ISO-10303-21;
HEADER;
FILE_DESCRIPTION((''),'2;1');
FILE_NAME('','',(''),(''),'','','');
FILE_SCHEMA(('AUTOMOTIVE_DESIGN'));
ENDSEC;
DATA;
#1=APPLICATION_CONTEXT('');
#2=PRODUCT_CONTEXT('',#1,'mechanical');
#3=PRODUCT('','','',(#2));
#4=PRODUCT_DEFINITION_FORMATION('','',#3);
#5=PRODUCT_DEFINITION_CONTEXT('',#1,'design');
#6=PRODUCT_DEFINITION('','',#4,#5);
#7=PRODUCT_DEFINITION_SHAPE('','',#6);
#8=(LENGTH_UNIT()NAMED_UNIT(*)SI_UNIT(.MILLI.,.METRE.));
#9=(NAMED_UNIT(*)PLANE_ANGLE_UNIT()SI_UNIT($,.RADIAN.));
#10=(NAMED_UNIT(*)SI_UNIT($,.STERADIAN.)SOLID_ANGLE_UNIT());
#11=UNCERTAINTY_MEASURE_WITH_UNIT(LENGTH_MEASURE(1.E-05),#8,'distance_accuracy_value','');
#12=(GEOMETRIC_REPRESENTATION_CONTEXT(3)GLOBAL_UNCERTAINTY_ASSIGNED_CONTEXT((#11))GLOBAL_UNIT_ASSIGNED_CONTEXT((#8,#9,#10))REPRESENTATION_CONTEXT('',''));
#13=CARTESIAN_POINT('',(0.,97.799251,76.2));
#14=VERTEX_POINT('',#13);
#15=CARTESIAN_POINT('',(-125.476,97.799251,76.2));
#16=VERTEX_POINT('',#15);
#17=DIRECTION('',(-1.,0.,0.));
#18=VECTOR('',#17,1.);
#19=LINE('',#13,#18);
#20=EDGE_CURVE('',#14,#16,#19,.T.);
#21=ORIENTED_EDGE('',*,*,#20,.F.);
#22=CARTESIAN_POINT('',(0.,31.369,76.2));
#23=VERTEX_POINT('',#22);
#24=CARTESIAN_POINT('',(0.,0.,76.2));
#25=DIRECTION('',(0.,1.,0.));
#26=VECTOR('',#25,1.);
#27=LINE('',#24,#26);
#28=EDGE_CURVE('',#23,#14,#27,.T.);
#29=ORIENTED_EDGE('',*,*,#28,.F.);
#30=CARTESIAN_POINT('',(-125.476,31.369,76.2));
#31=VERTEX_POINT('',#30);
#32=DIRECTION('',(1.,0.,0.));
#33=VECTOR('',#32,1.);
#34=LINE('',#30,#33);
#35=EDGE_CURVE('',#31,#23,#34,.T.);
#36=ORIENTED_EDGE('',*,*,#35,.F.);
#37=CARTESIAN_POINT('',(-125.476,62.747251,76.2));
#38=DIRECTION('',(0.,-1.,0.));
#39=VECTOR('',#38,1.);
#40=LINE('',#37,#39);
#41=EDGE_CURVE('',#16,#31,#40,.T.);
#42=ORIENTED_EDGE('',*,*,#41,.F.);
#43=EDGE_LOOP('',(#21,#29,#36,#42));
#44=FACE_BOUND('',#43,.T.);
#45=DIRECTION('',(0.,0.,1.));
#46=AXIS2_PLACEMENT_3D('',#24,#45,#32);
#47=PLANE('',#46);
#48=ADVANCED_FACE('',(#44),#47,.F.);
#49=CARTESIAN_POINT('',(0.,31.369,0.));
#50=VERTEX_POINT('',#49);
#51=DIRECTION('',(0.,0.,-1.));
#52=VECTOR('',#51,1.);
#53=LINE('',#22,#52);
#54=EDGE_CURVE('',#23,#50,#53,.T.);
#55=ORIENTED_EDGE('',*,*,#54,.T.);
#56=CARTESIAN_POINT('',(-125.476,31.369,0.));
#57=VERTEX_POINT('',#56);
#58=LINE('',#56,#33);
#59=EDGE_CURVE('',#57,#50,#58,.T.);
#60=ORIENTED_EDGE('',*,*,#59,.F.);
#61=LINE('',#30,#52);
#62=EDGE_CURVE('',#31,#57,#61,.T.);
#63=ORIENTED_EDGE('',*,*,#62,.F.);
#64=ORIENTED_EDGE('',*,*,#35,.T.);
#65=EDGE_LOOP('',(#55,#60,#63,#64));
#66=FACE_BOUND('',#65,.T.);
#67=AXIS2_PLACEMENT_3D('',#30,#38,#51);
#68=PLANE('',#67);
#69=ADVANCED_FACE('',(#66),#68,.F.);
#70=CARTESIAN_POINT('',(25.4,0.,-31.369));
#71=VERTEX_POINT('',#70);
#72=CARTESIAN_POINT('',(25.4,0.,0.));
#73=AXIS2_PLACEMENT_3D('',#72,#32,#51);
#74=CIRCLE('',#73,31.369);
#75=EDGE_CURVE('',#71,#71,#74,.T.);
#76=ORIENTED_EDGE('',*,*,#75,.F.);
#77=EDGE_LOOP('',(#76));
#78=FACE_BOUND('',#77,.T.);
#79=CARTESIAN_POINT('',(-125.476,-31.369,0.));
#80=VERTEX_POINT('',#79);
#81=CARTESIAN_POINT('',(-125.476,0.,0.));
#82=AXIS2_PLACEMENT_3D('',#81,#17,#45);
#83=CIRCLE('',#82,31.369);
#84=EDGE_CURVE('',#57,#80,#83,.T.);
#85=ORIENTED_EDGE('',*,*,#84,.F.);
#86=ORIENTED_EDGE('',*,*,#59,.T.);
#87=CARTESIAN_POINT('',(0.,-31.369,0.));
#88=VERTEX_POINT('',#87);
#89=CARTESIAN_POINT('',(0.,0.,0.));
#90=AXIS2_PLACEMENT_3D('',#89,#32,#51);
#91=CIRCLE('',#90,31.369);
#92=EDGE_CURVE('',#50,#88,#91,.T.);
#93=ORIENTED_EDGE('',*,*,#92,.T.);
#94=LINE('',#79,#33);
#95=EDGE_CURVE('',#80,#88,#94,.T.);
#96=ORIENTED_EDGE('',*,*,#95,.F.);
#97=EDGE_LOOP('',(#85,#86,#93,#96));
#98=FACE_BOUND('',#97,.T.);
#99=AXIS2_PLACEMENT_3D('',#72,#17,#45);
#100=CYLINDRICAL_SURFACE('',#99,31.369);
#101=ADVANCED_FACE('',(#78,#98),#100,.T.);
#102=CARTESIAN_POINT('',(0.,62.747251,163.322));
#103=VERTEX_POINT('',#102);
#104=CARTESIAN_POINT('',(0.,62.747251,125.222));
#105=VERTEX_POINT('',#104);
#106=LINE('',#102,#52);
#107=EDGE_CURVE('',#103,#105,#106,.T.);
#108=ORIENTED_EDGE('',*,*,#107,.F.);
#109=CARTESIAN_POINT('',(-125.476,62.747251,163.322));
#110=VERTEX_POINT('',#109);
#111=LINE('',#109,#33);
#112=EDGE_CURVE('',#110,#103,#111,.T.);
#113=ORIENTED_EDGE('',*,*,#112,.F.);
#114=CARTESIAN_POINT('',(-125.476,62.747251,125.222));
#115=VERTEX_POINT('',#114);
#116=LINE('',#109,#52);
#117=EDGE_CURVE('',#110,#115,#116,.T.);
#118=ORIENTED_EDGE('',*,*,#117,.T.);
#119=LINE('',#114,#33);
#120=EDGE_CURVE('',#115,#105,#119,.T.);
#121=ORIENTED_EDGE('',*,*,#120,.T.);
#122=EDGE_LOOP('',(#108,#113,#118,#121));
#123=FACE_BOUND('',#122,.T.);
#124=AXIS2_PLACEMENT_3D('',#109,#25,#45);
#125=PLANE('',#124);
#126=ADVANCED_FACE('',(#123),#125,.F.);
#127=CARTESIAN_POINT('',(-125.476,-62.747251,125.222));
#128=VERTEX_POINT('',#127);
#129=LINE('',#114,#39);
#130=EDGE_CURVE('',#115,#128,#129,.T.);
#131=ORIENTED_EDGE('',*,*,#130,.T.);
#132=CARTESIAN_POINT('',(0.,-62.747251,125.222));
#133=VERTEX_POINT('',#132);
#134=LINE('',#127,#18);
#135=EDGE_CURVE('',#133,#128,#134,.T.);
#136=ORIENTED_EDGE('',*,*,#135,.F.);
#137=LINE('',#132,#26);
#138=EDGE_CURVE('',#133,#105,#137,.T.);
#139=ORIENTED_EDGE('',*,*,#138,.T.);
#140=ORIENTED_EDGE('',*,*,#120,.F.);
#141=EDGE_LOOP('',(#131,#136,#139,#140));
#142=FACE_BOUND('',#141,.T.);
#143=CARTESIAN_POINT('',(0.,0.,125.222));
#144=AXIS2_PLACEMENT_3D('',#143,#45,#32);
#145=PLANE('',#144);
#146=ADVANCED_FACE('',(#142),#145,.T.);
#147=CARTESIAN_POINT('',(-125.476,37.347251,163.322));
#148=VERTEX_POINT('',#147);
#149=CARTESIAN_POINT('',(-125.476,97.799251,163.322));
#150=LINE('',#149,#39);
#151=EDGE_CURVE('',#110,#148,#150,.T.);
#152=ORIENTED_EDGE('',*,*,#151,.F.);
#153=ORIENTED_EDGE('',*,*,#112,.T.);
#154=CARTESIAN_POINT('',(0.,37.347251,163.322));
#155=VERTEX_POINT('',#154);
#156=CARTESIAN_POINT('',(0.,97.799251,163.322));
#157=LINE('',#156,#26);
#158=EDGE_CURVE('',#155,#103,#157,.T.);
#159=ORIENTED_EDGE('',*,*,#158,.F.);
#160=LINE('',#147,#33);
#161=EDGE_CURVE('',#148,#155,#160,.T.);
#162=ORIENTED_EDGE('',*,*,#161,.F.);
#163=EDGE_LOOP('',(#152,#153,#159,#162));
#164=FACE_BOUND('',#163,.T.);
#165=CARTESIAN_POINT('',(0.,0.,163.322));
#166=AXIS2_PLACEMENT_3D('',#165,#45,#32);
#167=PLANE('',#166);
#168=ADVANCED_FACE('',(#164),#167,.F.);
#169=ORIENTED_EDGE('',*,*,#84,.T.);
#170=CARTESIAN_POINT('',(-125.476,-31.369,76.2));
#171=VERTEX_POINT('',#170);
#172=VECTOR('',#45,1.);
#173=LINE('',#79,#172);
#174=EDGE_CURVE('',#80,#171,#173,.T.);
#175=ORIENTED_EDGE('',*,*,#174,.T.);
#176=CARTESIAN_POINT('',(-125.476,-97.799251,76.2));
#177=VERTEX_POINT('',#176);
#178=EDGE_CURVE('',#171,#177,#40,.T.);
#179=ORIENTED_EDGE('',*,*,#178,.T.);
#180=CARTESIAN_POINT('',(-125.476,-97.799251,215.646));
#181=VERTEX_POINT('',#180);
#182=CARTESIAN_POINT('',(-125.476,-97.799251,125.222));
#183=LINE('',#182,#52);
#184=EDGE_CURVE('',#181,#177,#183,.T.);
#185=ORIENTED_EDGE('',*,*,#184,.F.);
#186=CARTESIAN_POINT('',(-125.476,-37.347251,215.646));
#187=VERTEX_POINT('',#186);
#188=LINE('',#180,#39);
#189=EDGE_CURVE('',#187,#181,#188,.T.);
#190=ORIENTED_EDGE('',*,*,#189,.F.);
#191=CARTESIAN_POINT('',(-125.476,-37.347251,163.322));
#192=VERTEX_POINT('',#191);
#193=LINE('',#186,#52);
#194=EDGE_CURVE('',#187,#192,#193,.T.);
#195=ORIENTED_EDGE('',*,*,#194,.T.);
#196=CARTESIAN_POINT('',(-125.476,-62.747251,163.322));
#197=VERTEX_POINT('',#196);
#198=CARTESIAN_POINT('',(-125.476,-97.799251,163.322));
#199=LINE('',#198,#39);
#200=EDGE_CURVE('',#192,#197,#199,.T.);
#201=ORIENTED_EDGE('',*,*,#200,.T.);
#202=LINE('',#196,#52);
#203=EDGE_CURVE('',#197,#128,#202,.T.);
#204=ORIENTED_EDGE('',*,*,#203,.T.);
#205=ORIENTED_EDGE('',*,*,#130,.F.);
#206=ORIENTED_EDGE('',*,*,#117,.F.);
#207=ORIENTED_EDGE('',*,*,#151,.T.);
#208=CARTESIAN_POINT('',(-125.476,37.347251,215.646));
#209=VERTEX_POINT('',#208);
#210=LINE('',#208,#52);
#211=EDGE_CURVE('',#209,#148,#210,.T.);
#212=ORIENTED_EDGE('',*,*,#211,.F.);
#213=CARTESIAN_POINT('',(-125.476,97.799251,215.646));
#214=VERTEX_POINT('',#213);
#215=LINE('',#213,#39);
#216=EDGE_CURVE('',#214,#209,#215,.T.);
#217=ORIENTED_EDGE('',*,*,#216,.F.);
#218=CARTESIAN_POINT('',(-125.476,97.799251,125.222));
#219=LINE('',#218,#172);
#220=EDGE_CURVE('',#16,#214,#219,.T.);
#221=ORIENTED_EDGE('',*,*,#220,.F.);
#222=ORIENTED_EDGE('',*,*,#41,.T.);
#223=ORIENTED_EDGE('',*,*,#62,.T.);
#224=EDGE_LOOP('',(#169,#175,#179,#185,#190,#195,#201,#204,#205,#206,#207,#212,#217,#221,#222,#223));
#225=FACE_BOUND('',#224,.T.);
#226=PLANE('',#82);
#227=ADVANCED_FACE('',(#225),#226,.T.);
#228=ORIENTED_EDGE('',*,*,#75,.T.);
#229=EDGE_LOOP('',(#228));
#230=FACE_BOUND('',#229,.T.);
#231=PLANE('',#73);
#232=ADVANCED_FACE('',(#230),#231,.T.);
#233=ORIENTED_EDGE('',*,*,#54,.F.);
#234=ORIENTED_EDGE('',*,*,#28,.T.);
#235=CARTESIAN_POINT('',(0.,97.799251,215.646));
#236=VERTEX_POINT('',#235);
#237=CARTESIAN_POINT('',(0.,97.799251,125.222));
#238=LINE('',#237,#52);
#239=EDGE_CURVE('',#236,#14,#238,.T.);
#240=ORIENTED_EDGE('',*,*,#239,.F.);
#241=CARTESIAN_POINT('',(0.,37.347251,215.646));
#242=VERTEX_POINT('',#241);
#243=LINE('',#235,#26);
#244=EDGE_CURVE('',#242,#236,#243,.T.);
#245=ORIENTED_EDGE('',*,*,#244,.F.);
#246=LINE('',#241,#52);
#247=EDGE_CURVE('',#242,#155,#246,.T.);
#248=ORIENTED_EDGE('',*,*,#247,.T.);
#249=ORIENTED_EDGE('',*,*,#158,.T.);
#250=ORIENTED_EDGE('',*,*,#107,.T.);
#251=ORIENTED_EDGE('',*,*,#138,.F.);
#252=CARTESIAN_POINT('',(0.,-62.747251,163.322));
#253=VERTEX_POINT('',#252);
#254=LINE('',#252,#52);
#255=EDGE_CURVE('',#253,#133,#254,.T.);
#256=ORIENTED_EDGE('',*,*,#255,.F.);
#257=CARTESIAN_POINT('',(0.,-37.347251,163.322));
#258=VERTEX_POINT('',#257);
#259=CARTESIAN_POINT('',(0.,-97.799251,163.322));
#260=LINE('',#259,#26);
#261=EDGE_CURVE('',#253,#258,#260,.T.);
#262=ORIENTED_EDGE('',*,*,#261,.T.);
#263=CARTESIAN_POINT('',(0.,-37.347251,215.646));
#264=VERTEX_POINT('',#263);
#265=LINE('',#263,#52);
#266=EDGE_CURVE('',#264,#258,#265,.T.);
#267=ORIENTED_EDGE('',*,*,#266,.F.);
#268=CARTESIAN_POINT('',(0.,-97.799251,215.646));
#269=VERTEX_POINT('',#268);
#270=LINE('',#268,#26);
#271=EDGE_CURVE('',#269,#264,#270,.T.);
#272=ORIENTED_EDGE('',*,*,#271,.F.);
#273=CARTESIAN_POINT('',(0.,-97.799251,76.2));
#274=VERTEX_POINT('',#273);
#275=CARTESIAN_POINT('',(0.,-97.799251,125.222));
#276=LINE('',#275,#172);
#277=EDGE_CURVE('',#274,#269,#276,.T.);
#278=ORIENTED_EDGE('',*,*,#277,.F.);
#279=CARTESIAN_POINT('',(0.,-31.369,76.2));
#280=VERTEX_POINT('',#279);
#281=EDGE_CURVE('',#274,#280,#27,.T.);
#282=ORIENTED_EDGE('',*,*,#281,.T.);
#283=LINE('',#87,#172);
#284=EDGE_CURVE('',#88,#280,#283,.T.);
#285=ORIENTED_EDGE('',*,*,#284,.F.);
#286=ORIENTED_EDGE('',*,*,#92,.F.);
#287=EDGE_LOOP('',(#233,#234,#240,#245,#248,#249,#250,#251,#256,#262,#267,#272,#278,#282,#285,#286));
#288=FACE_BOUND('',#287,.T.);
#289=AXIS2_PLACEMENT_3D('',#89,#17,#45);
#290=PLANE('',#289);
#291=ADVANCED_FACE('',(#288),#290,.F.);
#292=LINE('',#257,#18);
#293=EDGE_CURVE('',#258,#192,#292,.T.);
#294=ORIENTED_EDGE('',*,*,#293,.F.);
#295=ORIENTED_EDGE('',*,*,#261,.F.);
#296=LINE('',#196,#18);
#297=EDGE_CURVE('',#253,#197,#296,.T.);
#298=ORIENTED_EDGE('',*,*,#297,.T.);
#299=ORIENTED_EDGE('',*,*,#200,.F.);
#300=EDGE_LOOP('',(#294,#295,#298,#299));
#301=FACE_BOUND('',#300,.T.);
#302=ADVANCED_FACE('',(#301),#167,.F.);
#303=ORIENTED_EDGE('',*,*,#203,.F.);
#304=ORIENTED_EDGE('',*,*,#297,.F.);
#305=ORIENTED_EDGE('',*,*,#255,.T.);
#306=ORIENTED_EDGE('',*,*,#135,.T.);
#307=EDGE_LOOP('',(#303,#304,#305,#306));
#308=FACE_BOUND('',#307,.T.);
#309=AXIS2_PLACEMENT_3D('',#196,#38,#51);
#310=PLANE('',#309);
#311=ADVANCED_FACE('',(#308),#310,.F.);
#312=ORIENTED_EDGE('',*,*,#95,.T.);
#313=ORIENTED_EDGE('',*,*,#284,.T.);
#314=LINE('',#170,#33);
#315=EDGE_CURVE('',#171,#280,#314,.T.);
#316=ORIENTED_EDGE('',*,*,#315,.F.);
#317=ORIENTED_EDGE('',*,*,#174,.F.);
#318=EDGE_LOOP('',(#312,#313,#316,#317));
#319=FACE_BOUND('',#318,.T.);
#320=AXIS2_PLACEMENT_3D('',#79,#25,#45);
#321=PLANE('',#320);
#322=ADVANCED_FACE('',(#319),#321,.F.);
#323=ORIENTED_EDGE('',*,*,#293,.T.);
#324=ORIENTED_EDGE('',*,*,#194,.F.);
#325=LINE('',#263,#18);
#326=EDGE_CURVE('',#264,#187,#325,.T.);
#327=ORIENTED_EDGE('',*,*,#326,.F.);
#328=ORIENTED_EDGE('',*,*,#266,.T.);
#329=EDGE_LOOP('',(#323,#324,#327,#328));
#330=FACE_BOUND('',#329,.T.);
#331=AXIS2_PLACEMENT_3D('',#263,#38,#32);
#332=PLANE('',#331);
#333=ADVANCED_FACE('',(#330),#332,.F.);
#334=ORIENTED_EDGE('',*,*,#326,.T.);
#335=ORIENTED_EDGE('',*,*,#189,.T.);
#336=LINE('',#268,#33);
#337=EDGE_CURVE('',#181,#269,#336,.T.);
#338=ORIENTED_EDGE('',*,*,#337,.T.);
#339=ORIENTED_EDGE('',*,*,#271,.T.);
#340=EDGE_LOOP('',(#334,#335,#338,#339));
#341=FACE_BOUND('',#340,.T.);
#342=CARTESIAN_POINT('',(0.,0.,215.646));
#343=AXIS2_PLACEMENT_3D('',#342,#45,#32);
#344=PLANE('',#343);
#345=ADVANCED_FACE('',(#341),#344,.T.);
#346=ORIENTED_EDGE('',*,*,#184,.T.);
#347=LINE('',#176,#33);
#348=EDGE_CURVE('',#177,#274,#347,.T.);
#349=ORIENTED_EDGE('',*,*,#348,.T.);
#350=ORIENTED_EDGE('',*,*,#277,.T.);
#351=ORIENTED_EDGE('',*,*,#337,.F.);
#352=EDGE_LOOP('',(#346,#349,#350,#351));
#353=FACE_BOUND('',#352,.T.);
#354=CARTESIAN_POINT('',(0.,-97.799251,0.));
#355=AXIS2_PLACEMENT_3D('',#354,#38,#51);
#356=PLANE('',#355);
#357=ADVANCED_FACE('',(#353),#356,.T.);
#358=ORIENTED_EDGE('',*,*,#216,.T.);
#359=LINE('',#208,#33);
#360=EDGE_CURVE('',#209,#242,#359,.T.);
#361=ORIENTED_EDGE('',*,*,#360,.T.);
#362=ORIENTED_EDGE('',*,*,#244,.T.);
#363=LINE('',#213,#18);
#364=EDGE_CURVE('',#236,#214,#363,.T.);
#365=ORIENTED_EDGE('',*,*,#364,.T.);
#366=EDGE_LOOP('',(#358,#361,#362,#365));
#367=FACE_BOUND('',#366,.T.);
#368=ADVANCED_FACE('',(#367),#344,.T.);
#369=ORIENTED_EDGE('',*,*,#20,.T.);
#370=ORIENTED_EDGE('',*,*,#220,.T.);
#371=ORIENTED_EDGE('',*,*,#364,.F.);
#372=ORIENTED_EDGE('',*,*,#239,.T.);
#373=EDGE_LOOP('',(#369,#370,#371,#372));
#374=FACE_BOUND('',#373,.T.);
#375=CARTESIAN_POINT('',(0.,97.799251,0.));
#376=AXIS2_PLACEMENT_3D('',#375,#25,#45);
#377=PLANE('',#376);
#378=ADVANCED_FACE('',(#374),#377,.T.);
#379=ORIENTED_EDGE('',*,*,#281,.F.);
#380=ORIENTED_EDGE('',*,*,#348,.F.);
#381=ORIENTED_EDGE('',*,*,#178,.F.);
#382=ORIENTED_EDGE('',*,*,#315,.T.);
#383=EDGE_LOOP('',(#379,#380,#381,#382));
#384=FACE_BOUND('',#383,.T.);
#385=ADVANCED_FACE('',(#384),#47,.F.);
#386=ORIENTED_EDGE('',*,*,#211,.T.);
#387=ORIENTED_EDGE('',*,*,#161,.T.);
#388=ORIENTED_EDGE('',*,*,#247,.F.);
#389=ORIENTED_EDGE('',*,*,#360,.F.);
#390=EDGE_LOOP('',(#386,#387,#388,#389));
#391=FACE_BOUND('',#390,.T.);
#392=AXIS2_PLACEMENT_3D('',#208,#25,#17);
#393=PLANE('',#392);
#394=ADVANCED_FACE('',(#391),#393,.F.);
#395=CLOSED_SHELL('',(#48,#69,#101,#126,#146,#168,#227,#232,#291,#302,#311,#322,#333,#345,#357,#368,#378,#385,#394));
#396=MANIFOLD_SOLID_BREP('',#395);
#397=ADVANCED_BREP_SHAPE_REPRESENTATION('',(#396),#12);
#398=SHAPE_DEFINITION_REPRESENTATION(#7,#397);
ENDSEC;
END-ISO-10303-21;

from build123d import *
from build123d.topology import SkipClean

# Parameters (mm, degrees)
SKETCH2_R           = 31.369
BOSS_EXTRUDE1_DEPTH = 25.4
BOSS_EXTRUDE2_START = 125.476
BOSS_EXTRUDE2_DEPTH = 125.476
BOSS_EXTRUDE3_DEPTH = 49.022
SKETCH8_W           = 125.476
SKETCH8_H           = 49.022
BOSS_EXTRUDE4_DEPTH = 35.052
SKETCH9_W           = 125.476
SKETCH9_H           = 49.022
BOSS_EXTRUDE5_DEPTH = 35.052
SKETCH10_W          = 125.476
SKETCH10_H          = 35.052
BOSS_EXTRUDE6_DEPTH = 38.1
SKETCH12_W          = 125.476
SKETCH12_H          = 60.452
BOSS_EXTRUDE7_DEPTH = 52.324


with BuildPart() as part:
    # Sketch2 → Boss-Extrude1 (new body)
    with BuildSketch(Plane.YZ):
        with Locations(Location((0, 0, 0), (0, 0, 270))):
            Circle(SKETCH2_R)
    extrude(amount=BOSS_EXTRUDE1_DEPTH)

    # Sketch4 → Boss-Extrude2 (add)
    with SkipClean():  # the faces are left unmerged after this step: merging them gives an invalid solid
        with BuildSketch(Plane(origin=(0, 0, 0), x_dir=(0, -1, 0), z_dir=(-1, 0, 0)).offset(BOSS_EXTRUDE2_START)):
            with BuildLine():
                Line((31.369, 0), (31.369, 76.2))
                Line((31.369, 76.2), (-31.369, 76.2))
                Line((-31.369, 76.2), (-31.369, 0))
                ThreePointArc((-31.369, 0), (0, -31.369), (31.369, 0))
            make_face()
        extrude(amount=-BOSS_EXTRUDE2_DEPTH)

    # Sketch5 → Boss-Extrude3 (add)
    with SkipClean():  # the faces are left unmerged after this step: merging them gives an invalid solid
        with BuildSketch(Plane.XY.offset(76.2)):
            Polygon((0, 0), (0, 62.747251031), (-125.476, 62.747251031), (-125.476, -62.747251031), (0, -62.747251031), align=None)
        extrude(amount=BOSS_EXTRUDE3_DEPTH)

    # Sketch8 → Boss-Extrude4 (add)
    with SkipClean():  # the faces are left unmerged after this step: merging them gives an invalid solid
        with BuildSketch(Plane(origin=(0, 62.747251031, 0), x_dir=(-1, 0, 0), z_dir=(0, 1, 0))):
            with Locations((62.738, 100.711)):
                Rectangle(SKETCH8_W, SKETCH8_H)
        extrude(amount=BOSS_EXTRUDE4_DEPTH)

    # Sketch9 → Boss-Extrude5 (add)
    with SkipClean():  # the faces are left unmerged after this step: merging them gives an invalid solid
        with BuildSketch(Plane.XZ.offset(62.747251031)):
            with Locations((-62.738, 100.711)):
                Rectangle(SKETCH9_W, SKETCH9_H)
        extrude(amount=BOSS_EXTRUDE5_DEPTH)

    # Sketch10 → Boss-Extrude6 (add)
    with SkipClean():  # the faces are left unmerged after this step: merging them gives an invalid solid
        with BuildSketch(Plane.XY.offset(125.222)):
            with Locations((-62.738, 80.273251031)):
                Rectangle(SKETCH10_W, SKETCH10_H)
            with Locations((-62.738, -80.273251031)):
                Rectangle(SKETCH10_W, SKETCH10_H)
        extrude(amount=BOSS_EXTRUDE6_DEPTH)

    # Sketch12 → Boss-Extrude7 (add)
    with SkipClean():  # the faces are left unmerged after this step: merging them gives an invalid solid
        with BuildSketch(Plane.XY.offset(163.322)):
            with Locations((-62.738, 67.573251031)):
                Rectangle(SKETCH12_W, SKETCH12_H)
            with Locations((-62.738, -67.573251031)):
                Rectangle(SKETCH12_W, SKETCH12_H)
        extrude(amount=BOSS_EXTRUDE7_DEPTH)


solid = part.part
